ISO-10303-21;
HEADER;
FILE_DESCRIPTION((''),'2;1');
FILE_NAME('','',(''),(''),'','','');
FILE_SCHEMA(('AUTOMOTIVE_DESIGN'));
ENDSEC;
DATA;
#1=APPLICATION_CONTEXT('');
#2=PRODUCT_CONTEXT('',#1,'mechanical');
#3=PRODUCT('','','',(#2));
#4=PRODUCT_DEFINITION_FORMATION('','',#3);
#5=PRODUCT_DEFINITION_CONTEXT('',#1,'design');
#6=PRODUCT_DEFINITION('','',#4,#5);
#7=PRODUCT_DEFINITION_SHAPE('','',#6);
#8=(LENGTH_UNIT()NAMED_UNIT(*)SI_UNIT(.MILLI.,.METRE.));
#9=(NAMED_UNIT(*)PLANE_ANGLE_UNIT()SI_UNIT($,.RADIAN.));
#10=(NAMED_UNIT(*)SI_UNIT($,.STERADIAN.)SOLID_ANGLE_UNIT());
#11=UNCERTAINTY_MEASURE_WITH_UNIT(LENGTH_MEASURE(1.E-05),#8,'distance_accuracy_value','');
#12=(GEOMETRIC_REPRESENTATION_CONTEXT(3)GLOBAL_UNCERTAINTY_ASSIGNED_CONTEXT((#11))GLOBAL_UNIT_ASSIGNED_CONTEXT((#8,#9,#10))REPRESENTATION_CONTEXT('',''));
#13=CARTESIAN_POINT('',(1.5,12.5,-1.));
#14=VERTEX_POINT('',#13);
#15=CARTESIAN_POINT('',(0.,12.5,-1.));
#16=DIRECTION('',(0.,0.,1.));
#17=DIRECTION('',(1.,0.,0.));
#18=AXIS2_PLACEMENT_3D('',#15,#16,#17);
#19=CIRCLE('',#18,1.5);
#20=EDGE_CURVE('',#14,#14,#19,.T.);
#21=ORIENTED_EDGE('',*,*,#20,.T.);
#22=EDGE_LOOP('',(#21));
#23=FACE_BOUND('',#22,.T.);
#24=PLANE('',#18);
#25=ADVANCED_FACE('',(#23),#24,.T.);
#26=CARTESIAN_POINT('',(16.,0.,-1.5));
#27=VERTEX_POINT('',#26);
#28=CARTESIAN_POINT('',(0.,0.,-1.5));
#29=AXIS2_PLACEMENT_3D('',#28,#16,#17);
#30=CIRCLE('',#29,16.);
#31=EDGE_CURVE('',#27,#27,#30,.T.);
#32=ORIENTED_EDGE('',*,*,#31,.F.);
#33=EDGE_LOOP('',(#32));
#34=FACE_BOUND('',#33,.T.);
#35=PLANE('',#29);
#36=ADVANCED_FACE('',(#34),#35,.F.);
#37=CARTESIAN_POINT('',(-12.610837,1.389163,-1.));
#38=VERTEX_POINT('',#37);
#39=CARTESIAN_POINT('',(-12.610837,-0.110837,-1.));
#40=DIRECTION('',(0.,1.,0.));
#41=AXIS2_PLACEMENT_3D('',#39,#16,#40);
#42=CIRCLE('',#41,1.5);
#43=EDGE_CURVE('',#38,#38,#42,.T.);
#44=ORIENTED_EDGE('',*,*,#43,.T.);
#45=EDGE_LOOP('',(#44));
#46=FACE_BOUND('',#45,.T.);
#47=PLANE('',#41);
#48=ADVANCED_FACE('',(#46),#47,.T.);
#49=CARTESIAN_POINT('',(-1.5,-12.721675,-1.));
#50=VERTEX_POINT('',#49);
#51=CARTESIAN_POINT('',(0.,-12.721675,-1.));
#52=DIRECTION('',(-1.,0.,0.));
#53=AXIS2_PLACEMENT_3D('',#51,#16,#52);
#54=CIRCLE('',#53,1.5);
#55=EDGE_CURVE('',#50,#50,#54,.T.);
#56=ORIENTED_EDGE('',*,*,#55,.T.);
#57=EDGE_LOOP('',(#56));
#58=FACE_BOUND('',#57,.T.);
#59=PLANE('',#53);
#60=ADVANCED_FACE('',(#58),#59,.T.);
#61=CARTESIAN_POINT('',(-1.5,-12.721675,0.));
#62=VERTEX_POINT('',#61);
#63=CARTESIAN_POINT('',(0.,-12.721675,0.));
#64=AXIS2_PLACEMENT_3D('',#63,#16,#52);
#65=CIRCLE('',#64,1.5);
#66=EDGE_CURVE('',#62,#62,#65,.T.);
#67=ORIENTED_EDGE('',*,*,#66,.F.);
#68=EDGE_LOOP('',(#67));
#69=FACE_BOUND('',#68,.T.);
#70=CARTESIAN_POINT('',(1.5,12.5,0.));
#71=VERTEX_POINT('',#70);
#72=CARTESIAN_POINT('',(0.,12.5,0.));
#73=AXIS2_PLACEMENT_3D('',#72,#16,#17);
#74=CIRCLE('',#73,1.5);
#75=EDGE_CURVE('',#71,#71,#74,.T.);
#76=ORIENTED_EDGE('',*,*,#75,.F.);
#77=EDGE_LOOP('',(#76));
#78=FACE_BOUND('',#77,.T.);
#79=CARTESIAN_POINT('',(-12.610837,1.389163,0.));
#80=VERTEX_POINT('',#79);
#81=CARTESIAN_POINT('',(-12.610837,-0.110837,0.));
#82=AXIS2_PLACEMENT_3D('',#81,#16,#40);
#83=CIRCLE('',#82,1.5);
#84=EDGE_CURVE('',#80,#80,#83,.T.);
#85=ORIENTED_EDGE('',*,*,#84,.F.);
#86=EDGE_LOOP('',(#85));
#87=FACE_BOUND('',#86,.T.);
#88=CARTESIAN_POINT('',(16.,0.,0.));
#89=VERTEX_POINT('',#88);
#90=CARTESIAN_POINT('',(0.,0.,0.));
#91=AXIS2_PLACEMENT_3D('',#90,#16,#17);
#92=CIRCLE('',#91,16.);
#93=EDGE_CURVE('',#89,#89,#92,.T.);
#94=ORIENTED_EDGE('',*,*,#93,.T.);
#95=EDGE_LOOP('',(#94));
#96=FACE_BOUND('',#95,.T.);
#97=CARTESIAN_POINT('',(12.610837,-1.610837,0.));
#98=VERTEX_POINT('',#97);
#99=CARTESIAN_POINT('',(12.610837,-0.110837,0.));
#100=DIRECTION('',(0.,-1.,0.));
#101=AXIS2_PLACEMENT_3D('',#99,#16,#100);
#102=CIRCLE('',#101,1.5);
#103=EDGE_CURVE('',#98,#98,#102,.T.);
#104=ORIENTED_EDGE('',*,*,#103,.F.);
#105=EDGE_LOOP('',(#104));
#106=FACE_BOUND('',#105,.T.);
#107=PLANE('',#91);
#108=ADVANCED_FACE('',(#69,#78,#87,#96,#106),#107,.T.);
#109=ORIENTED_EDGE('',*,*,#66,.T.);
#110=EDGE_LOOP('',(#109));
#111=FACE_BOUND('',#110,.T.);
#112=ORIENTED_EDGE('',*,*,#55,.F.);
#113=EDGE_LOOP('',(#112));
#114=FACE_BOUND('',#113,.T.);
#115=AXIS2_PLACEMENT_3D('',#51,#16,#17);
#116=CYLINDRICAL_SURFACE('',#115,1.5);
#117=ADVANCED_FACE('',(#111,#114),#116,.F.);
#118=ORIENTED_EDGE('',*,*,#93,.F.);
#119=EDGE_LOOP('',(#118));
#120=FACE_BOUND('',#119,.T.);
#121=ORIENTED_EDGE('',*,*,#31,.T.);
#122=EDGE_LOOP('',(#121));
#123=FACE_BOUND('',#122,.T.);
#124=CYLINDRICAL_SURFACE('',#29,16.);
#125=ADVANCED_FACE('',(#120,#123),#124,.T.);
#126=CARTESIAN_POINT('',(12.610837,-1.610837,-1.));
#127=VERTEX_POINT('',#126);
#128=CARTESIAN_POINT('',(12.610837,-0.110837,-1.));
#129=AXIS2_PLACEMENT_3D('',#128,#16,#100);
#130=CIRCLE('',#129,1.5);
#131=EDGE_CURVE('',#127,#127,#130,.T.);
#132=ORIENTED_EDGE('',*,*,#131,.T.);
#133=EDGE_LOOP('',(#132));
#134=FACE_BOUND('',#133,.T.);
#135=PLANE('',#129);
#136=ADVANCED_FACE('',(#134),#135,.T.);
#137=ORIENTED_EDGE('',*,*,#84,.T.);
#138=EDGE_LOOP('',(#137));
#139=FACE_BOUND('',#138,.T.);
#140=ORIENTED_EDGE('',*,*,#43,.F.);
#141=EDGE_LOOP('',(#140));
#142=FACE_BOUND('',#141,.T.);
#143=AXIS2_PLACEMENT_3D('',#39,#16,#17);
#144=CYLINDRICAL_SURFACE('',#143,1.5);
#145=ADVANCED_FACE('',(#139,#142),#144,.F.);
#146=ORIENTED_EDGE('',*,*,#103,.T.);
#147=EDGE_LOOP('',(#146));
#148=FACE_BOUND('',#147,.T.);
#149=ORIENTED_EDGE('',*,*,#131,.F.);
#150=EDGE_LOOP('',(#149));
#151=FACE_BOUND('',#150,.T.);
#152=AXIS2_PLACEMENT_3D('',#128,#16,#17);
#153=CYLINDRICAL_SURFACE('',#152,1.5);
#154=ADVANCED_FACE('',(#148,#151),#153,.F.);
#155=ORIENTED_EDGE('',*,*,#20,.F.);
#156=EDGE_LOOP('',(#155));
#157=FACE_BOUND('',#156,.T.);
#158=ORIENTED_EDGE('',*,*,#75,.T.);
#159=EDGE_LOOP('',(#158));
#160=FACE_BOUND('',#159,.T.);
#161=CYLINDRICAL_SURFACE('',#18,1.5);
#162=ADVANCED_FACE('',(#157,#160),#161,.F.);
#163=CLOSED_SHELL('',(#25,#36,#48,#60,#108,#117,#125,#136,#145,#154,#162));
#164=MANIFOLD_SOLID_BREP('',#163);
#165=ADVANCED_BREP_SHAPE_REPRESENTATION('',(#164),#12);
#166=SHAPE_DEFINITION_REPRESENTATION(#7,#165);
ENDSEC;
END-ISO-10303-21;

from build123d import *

# Parameters (mm, degrees)
SCHIZZO1_R                   = 16
ESTRUSIONE_ESTRUSIONE1_DEPTH = 1.5
SCHIZZO7_R                   = 1.5
TAGLIO_ESTRUSIONE1_DEPTH     = 1
RIPETIZIONECIRCOLARE1_COUNT  = 4


with BuildPart() as part:
    # Schizzo1 → Estrusione-Estrusione1 (new body)
    with BuildSketch(Plane.XY):
        Circle(SCHIZZO1_R)
    extrude(amount=-ESTRUSIONE_ESTRUSIONE1_DEPTH)

    # Schizzo7 → Taglio-Estrusione1 (cut)
    with BuildSketch(Plane.XY):
        with Locations((0, 12.5)):
            Circle(SCHIZZO7_R)
    taglio_estrusione1 = extrude(amount=-TAGLIO_ESTRUSIONE1_DEPTH, mode=Mode.SUBTRACT)

    # RipetizioneCircolare1: Taglio-Estrusione1 ×4 about axis
    ripetizionecircolare1_axis = Axis((0, -0.110837438, 0), (0, 0, 1))
    for i in range(1, RIPETIZIONECIRCOLARE1_COUNT):
        add(taglio_estrusione1.rotate(ripetizionecircolare1_axis, i * 360 / RIPETIZIONECIRCOLARE1_COUNT), mode=Mode.SUBTRACT)


solid = part.part
